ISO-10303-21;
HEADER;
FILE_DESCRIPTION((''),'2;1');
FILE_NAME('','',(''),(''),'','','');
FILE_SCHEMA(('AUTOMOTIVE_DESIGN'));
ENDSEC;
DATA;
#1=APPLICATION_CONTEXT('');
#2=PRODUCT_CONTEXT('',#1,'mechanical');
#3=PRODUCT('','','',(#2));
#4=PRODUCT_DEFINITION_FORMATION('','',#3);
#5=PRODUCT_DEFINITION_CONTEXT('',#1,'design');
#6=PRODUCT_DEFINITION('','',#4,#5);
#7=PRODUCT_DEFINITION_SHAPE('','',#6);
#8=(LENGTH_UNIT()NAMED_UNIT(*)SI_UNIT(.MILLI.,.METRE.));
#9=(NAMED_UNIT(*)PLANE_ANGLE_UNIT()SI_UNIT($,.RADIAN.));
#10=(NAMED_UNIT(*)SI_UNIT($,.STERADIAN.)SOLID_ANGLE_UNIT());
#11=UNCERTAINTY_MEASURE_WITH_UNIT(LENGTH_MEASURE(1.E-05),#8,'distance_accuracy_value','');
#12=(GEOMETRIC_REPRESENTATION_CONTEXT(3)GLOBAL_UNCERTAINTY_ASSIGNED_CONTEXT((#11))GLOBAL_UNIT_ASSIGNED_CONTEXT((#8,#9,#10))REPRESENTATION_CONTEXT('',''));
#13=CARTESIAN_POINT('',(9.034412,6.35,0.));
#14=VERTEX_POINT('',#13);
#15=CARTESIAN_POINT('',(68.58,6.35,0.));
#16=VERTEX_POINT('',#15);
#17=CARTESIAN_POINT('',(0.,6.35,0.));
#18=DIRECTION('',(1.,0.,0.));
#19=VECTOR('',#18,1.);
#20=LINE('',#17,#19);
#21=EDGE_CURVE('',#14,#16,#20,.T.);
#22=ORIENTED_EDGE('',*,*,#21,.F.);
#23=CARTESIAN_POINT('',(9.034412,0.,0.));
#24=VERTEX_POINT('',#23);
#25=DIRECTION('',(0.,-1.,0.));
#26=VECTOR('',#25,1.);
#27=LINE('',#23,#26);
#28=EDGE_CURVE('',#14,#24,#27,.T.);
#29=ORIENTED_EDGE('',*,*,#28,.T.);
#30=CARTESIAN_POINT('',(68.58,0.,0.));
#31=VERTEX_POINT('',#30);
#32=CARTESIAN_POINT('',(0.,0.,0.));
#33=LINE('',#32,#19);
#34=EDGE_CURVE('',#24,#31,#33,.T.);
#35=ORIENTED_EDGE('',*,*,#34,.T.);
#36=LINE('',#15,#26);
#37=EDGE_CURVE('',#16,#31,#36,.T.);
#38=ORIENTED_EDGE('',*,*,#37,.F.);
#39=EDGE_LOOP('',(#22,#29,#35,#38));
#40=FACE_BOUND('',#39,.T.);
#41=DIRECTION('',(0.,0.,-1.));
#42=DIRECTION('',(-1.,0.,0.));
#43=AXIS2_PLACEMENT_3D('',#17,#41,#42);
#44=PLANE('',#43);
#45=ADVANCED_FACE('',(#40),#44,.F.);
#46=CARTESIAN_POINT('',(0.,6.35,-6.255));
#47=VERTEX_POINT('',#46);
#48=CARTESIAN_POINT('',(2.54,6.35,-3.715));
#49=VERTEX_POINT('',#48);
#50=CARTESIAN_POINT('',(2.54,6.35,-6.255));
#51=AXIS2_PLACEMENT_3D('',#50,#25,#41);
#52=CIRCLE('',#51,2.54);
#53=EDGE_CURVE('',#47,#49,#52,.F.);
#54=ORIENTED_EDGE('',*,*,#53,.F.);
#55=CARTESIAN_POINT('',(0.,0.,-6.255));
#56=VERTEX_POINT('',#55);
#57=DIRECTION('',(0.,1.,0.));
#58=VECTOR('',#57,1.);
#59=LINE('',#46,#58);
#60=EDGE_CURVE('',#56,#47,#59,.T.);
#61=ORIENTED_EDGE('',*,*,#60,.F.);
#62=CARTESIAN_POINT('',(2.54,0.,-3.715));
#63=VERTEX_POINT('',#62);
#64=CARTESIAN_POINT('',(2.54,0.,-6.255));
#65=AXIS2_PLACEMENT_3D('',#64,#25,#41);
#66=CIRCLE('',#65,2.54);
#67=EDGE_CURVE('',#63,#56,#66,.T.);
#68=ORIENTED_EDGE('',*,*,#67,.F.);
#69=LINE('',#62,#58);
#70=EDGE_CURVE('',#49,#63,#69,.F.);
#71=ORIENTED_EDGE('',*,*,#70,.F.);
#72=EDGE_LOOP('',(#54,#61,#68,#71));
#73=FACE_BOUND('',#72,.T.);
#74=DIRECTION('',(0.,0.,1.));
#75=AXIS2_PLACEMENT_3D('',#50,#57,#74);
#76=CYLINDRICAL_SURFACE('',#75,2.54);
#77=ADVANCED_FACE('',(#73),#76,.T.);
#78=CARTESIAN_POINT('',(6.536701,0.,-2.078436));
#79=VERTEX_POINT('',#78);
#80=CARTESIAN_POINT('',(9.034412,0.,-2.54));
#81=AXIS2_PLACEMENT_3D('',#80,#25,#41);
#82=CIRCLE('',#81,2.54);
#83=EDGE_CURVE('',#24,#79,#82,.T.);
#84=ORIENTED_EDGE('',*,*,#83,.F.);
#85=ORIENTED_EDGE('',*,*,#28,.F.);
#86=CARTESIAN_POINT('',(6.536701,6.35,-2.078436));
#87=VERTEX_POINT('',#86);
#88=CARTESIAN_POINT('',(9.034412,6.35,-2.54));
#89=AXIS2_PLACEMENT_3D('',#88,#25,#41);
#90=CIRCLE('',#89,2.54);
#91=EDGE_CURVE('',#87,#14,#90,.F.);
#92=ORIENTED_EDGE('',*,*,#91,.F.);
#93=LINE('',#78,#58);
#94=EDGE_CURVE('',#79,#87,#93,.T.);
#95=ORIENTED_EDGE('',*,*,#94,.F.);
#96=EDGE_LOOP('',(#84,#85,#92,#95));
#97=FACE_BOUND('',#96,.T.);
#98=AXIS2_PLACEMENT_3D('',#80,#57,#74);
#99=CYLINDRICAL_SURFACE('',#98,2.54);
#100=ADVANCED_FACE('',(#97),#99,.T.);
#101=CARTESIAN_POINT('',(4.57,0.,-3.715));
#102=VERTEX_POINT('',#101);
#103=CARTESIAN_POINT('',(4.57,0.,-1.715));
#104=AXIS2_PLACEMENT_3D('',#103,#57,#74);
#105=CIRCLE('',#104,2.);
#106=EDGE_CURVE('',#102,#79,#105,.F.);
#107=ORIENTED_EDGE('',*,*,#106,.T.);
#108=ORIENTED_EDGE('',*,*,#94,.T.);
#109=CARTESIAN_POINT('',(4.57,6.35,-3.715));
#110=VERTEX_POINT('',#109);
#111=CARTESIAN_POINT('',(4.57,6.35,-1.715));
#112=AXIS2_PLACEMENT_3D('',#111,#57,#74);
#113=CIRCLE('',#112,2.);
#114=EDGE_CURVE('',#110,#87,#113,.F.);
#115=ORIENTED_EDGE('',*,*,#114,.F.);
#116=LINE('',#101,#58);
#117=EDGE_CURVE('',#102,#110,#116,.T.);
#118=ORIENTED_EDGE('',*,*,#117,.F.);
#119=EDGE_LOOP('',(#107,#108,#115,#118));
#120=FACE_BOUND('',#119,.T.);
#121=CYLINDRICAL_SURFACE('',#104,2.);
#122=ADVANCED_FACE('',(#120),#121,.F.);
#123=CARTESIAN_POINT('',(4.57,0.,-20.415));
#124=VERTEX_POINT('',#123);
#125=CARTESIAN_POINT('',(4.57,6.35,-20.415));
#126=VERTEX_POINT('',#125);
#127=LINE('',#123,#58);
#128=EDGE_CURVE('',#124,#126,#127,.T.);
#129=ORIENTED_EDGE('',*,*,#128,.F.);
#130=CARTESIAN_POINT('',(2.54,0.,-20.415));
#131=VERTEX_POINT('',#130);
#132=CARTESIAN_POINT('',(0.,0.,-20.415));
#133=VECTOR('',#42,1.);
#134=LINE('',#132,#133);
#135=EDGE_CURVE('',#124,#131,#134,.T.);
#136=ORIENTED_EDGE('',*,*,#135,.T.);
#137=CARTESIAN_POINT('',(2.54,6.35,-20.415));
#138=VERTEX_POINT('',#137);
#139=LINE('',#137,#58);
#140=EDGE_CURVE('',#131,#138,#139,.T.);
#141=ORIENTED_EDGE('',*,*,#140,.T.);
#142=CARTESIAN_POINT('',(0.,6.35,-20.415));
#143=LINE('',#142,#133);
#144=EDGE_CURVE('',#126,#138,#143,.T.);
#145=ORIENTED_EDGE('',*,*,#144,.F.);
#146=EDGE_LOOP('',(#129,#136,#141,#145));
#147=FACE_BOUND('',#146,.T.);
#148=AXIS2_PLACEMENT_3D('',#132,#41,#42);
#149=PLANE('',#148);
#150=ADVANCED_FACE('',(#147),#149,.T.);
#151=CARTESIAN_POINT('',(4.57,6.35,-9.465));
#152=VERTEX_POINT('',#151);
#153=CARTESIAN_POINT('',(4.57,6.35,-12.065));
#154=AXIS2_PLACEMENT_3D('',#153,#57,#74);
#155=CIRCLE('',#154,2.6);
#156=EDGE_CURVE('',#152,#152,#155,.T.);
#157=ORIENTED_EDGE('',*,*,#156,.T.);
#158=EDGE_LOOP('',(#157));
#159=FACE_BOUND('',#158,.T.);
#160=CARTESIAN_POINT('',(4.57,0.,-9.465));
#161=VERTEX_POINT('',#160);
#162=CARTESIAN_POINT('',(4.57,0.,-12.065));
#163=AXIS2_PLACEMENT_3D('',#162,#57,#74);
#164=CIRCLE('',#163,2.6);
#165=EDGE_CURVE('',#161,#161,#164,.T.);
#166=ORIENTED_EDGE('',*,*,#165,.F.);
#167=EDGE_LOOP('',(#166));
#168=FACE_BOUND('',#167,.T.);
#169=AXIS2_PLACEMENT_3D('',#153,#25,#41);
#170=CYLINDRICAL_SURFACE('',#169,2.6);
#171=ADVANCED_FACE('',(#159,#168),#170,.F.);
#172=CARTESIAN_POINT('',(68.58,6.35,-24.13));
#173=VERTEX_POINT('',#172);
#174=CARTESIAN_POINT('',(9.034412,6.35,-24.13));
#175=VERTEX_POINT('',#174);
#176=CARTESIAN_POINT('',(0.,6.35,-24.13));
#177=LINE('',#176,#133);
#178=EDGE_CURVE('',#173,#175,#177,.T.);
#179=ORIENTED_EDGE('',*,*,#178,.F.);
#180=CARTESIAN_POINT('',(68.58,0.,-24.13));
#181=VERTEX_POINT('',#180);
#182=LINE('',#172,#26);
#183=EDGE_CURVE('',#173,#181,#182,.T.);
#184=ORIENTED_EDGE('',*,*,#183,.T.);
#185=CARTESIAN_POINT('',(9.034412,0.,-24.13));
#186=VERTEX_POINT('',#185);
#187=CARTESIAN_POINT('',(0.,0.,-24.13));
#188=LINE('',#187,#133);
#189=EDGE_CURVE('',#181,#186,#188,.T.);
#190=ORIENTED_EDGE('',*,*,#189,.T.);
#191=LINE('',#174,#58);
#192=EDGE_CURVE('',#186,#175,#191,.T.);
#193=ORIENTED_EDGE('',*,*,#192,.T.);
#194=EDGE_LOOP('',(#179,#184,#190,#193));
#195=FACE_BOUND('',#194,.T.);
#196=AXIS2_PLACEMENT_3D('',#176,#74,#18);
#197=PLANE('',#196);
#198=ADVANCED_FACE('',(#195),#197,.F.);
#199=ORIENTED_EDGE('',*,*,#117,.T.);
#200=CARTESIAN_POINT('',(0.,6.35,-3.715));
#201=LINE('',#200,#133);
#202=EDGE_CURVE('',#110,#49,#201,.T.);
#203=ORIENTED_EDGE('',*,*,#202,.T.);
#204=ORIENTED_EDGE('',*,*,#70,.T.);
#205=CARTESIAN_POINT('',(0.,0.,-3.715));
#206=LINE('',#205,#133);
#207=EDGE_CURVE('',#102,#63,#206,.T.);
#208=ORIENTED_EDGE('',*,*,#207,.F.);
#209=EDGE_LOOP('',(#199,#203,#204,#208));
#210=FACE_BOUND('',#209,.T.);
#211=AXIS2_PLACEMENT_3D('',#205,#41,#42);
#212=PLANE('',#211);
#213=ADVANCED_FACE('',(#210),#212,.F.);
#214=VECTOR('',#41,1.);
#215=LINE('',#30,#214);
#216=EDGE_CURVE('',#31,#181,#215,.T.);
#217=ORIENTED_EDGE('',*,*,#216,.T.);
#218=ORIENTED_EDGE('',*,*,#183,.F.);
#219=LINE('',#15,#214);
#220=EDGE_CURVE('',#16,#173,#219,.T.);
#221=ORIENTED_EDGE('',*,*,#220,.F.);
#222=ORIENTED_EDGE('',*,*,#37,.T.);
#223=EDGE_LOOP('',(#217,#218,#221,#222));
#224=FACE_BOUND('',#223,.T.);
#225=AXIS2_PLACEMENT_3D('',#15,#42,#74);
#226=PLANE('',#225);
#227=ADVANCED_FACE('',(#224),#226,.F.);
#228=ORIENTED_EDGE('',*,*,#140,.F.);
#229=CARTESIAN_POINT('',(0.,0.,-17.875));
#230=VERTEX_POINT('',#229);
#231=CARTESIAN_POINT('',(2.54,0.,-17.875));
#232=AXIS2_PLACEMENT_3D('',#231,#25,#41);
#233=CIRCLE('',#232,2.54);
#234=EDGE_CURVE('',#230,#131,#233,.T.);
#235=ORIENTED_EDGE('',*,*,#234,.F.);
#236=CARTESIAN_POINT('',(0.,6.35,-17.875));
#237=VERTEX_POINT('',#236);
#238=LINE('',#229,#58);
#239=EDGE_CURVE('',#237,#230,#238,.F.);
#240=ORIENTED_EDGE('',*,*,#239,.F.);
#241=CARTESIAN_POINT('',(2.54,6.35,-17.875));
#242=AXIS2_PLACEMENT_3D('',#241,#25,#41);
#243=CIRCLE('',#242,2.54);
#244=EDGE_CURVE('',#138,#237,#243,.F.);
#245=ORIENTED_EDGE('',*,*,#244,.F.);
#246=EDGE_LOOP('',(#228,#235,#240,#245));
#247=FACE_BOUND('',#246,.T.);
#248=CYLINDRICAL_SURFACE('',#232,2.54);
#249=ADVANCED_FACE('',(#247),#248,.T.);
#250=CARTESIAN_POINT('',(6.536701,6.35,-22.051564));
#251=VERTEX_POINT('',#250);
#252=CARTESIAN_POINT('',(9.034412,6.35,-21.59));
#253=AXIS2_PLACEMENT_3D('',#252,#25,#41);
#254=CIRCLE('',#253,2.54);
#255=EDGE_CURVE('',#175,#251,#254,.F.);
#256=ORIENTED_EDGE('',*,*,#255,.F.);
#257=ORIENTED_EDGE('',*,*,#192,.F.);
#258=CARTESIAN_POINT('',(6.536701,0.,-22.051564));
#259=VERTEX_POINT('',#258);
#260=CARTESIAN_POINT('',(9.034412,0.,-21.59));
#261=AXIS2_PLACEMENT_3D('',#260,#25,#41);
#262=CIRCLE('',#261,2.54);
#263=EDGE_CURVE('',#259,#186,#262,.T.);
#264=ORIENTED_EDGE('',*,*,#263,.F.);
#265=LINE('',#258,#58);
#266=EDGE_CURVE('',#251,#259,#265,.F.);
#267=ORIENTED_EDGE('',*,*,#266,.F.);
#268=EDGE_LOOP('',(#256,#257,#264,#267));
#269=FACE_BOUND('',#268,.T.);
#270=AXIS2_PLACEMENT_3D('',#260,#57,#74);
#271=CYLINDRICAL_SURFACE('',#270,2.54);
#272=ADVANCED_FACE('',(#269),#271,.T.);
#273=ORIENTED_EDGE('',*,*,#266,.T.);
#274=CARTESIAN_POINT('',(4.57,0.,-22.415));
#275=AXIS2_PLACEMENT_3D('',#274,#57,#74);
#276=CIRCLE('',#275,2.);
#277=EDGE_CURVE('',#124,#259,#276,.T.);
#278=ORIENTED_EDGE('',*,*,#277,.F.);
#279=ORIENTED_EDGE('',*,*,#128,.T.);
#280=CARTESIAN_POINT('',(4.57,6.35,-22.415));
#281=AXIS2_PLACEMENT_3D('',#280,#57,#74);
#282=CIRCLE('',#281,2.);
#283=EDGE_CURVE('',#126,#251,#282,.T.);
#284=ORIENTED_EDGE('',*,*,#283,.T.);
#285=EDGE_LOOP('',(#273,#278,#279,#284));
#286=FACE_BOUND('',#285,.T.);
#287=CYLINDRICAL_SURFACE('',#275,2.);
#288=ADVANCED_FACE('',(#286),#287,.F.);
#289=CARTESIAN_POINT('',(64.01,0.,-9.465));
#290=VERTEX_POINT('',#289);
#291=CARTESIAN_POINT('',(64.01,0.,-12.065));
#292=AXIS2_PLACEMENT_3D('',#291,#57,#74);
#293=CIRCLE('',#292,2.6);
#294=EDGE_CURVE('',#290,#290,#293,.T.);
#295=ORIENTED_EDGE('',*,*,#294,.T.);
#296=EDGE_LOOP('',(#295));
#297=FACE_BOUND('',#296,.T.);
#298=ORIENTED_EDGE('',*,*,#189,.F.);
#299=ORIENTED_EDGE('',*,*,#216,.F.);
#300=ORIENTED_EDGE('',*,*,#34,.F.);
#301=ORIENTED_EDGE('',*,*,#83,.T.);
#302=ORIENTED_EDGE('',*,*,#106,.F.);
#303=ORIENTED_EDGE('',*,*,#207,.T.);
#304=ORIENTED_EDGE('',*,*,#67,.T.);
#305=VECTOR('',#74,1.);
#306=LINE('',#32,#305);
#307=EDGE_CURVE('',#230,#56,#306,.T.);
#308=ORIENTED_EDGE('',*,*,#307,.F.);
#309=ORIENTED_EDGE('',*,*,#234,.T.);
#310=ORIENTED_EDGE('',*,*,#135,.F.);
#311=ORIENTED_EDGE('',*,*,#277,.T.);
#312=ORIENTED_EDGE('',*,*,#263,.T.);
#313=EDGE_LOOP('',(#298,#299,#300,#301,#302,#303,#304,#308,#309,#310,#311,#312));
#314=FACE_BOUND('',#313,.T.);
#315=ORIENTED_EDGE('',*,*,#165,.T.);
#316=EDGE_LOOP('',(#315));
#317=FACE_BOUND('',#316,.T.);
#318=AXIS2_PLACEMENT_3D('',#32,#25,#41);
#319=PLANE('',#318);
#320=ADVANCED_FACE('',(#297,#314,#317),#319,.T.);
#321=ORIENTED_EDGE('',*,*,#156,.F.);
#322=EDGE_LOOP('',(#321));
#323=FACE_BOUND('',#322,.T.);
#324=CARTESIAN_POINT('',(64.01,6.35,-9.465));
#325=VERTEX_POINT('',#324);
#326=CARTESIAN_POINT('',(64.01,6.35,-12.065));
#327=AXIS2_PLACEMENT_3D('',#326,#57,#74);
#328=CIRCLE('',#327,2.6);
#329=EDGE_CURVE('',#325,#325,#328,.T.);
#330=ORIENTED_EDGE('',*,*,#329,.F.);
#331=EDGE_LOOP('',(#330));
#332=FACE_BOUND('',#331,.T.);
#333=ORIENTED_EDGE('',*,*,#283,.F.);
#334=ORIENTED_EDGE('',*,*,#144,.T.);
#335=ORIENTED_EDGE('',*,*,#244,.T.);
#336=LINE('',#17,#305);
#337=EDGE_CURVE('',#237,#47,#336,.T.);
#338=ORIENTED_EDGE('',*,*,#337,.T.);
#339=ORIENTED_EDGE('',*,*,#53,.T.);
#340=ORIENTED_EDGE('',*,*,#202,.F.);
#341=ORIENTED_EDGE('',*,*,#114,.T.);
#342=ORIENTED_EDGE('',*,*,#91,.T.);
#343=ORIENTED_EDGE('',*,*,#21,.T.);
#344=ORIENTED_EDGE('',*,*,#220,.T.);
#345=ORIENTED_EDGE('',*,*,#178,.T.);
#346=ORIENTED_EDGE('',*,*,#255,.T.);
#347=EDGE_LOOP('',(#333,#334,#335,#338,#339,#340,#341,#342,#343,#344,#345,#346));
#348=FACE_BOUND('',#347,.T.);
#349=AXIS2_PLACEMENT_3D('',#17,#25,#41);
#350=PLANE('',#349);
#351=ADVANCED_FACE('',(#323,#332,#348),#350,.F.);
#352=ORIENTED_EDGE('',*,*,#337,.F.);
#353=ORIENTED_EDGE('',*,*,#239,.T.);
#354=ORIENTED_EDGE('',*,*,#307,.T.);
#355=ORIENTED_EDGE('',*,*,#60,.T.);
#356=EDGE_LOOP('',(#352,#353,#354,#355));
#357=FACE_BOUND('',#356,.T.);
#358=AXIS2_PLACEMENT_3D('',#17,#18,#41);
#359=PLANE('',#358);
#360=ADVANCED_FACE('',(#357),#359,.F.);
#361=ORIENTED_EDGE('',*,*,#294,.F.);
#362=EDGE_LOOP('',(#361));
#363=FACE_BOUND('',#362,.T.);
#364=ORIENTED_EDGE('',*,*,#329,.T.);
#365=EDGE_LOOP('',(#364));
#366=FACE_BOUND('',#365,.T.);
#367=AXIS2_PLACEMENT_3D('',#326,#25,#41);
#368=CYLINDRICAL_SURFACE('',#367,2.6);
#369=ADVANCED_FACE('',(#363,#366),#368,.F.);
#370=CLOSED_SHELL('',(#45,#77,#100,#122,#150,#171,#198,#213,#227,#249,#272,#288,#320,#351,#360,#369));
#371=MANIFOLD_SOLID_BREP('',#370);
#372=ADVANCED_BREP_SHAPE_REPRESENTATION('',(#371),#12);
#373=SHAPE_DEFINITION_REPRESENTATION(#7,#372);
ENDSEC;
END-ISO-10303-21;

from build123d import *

# Parameters (mm, degrees)
SKETCH2_W           = 68.58
SKETCH2_H           = 24.13
SKETCH2_R           = 2.6
BOSS_EXTRUDE1_DEPTH = 6.35
CUT_EXTRUDE1_DEPTH  = 7.35
FILLET3_R           = 2.54


with BuildPart() as part:
    # Sketch2 → Boss-Extrude1 (new body)
    with BuildSketch(Plane(origin=(0, 0, 0), x_dir=(1, 0, 0), z_dir=(0, 1, 0))):
        with Locations((34.29, 12.065)):
            Rectangle(SKETCH2_W, SKETCH2_H)
        with Locations((4.57, 12.065)):
            Circle(SKETCH2_R, mode=Mode.SUBTRACT)
        with Locations((64.01, 12.065)):
            Circle(SKETCH2_R, mode=Mode.SUBTRACT)
    extrude(amount=BOSS_EXTRUDE1_DEPTH)

    # Sketch3 → Cut-Extrude1 (cut, through all)
    with BuildSketch(Plane(origin=(0, 6.35, 0), x_dir=(1, 0, 0), z_dir=(0, 1, 0))):
        with BuildLine():
            Line((4.57, 3.715), (0, 3.715))
            Line((0, 3.715), (0, 0))
            Line((0, 0), (6.57, 0))
            Line((6.57, 0), (6.57, 1.715))
            ThreePointArc((6.57, 1.715), (5.984213562, 3.129213562), (4.57, 3.715))
        make_face()
        with BuildLine():
            ThreePointArc((4.57, 20.415), (5.984213562, 21.000786438), (6.57, 22.415))
            Line((6.57, 22.415), (6.57, 24.13))
            Line((6.57, 24.13), (0, 24.13))
            Line((0, 24.13), (0, 20.415))
            Line((0, 20.415), (4.57, 20.415))
        make_face()
    extrude(amount=-CUT_EXTRUDE1_DEPTH, mode=Mode.SUBTRACT)

    # Fillet3
    fillet3_edges = [part.edges().sort_by_distance(p)[0] for p in [
        (6.57, 3.175, 0),
        (0, 3.175, -3.715),
        (0, 3.175, -20.415),
        (6.57, 3.175, -24.13),
    ]]
    fillet(fillet3_edges, radius=FILLET3_R)


solid = part.part
